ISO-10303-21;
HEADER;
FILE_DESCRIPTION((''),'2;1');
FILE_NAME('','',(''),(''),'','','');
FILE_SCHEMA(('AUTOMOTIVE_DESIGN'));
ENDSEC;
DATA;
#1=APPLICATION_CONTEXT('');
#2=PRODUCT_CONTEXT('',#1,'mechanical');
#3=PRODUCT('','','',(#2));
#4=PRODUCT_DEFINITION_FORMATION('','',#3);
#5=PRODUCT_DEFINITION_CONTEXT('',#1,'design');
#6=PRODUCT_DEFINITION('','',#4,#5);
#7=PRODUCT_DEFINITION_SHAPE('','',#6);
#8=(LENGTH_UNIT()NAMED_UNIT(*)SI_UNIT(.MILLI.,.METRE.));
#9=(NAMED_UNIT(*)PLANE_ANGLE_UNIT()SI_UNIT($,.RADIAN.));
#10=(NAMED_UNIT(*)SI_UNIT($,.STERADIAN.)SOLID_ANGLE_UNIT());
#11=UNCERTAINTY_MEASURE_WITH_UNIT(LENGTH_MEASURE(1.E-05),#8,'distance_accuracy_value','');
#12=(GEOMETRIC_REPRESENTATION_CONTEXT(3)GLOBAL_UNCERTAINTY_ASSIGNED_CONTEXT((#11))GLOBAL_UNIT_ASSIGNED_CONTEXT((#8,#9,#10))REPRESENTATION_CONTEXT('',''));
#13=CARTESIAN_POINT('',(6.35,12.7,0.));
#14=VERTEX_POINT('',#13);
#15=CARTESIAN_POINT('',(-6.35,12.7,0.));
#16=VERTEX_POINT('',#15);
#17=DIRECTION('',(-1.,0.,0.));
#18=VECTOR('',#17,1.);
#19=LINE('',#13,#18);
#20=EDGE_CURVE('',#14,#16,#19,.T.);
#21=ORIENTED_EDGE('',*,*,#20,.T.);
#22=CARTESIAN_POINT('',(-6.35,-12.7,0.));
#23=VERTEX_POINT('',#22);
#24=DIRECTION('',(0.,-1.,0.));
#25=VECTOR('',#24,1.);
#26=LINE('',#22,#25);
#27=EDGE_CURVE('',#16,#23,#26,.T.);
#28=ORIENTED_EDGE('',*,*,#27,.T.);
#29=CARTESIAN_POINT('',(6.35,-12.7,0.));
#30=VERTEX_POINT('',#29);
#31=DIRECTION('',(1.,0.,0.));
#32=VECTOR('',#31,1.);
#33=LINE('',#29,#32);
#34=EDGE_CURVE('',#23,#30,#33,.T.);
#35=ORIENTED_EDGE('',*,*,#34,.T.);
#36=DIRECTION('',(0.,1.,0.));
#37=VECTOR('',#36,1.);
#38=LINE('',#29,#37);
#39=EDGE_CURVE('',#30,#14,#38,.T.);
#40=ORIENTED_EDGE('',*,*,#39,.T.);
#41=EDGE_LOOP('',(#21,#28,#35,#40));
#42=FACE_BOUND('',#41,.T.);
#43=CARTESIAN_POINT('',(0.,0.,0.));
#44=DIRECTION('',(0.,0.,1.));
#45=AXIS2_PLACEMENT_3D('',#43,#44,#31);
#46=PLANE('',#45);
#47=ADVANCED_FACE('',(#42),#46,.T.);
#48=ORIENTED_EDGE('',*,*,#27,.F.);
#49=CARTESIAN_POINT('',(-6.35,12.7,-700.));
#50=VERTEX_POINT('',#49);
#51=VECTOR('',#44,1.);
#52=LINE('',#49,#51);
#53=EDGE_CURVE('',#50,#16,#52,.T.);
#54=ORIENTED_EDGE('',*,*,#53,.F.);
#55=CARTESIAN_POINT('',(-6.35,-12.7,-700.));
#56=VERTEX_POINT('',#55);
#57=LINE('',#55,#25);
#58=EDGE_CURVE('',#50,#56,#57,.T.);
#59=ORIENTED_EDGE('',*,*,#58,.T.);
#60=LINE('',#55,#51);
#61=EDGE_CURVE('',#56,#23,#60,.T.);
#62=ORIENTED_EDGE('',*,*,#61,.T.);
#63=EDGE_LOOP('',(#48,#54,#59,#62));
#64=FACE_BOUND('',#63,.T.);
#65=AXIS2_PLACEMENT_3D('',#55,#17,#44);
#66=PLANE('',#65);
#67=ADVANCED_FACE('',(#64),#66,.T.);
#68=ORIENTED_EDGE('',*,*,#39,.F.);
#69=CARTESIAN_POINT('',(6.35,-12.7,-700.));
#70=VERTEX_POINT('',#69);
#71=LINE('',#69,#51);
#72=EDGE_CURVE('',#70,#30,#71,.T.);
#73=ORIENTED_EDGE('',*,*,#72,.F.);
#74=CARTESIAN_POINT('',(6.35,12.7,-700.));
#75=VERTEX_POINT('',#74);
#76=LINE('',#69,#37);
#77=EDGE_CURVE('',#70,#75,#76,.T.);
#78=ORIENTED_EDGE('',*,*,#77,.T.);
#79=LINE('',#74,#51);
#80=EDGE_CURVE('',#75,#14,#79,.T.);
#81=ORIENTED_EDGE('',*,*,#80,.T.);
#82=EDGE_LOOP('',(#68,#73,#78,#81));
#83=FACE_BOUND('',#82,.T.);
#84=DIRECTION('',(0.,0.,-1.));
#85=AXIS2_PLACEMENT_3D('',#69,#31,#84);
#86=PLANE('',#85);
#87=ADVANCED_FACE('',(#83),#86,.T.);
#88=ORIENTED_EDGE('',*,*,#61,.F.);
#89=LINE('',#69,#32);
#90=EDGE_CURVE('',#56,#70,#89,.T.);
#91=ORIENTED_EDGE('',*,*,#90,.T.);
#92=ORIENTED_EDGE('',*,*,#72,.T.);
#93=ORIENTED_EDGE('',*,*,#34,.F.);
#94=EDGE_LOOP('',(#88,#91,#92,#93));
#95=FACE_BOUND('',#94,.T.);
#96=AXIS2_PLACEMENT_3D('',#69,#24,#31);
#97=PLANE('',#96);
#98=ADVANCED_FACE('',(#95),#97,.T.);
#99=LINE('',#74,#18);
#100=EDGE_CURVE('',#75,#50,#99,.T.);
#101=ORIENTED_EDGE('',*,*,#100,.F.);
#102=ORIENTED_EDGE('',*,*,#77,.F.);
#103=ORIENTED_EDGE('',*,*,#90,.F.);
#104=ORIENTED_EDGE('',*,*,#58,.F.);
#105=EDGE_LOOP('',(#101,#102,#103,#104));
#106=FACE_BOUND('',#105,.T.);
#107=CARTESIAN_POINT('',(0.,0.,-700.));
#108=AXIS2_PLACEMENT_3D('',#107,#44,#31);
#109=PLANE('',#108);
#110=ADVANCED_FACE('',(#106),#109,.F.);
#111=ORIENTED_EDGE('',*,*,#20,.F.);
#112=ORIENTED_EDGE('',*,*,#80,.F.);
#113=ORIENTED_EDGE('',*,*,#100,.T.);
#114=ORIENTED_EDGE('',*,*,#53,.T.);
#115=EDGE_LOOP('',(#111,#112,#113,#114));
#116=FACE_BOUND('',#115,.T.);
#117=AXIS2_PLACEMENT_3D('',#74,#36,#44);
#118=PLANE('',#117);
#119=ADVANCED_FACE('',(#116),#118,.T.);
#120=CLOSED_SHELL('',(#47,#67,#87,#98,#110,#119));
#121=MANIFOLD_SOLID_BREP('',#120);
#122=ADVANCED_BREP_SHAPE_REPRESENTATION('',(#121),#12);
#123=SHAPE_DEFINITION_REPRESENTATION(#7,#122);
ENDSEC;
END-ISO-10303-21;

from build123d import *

# Parameters (mm, degrees)
CROQUIS1_W              = 12.7
CROQUIS1_H              = 25.4
SALIENTE_EXTRUIR1_DEPTH = 700


with BuildPart() as part:
    # Croquis1 → Saliente-Extruir1 (new body)
    with BuildSketch(Plane.XY):
        Rectangle(CROQUIS1_W, CROQUIS1_H)
    extrude(amount=-SALIENTE_EXTRUIR1_DEPTH)


solid = part.part
